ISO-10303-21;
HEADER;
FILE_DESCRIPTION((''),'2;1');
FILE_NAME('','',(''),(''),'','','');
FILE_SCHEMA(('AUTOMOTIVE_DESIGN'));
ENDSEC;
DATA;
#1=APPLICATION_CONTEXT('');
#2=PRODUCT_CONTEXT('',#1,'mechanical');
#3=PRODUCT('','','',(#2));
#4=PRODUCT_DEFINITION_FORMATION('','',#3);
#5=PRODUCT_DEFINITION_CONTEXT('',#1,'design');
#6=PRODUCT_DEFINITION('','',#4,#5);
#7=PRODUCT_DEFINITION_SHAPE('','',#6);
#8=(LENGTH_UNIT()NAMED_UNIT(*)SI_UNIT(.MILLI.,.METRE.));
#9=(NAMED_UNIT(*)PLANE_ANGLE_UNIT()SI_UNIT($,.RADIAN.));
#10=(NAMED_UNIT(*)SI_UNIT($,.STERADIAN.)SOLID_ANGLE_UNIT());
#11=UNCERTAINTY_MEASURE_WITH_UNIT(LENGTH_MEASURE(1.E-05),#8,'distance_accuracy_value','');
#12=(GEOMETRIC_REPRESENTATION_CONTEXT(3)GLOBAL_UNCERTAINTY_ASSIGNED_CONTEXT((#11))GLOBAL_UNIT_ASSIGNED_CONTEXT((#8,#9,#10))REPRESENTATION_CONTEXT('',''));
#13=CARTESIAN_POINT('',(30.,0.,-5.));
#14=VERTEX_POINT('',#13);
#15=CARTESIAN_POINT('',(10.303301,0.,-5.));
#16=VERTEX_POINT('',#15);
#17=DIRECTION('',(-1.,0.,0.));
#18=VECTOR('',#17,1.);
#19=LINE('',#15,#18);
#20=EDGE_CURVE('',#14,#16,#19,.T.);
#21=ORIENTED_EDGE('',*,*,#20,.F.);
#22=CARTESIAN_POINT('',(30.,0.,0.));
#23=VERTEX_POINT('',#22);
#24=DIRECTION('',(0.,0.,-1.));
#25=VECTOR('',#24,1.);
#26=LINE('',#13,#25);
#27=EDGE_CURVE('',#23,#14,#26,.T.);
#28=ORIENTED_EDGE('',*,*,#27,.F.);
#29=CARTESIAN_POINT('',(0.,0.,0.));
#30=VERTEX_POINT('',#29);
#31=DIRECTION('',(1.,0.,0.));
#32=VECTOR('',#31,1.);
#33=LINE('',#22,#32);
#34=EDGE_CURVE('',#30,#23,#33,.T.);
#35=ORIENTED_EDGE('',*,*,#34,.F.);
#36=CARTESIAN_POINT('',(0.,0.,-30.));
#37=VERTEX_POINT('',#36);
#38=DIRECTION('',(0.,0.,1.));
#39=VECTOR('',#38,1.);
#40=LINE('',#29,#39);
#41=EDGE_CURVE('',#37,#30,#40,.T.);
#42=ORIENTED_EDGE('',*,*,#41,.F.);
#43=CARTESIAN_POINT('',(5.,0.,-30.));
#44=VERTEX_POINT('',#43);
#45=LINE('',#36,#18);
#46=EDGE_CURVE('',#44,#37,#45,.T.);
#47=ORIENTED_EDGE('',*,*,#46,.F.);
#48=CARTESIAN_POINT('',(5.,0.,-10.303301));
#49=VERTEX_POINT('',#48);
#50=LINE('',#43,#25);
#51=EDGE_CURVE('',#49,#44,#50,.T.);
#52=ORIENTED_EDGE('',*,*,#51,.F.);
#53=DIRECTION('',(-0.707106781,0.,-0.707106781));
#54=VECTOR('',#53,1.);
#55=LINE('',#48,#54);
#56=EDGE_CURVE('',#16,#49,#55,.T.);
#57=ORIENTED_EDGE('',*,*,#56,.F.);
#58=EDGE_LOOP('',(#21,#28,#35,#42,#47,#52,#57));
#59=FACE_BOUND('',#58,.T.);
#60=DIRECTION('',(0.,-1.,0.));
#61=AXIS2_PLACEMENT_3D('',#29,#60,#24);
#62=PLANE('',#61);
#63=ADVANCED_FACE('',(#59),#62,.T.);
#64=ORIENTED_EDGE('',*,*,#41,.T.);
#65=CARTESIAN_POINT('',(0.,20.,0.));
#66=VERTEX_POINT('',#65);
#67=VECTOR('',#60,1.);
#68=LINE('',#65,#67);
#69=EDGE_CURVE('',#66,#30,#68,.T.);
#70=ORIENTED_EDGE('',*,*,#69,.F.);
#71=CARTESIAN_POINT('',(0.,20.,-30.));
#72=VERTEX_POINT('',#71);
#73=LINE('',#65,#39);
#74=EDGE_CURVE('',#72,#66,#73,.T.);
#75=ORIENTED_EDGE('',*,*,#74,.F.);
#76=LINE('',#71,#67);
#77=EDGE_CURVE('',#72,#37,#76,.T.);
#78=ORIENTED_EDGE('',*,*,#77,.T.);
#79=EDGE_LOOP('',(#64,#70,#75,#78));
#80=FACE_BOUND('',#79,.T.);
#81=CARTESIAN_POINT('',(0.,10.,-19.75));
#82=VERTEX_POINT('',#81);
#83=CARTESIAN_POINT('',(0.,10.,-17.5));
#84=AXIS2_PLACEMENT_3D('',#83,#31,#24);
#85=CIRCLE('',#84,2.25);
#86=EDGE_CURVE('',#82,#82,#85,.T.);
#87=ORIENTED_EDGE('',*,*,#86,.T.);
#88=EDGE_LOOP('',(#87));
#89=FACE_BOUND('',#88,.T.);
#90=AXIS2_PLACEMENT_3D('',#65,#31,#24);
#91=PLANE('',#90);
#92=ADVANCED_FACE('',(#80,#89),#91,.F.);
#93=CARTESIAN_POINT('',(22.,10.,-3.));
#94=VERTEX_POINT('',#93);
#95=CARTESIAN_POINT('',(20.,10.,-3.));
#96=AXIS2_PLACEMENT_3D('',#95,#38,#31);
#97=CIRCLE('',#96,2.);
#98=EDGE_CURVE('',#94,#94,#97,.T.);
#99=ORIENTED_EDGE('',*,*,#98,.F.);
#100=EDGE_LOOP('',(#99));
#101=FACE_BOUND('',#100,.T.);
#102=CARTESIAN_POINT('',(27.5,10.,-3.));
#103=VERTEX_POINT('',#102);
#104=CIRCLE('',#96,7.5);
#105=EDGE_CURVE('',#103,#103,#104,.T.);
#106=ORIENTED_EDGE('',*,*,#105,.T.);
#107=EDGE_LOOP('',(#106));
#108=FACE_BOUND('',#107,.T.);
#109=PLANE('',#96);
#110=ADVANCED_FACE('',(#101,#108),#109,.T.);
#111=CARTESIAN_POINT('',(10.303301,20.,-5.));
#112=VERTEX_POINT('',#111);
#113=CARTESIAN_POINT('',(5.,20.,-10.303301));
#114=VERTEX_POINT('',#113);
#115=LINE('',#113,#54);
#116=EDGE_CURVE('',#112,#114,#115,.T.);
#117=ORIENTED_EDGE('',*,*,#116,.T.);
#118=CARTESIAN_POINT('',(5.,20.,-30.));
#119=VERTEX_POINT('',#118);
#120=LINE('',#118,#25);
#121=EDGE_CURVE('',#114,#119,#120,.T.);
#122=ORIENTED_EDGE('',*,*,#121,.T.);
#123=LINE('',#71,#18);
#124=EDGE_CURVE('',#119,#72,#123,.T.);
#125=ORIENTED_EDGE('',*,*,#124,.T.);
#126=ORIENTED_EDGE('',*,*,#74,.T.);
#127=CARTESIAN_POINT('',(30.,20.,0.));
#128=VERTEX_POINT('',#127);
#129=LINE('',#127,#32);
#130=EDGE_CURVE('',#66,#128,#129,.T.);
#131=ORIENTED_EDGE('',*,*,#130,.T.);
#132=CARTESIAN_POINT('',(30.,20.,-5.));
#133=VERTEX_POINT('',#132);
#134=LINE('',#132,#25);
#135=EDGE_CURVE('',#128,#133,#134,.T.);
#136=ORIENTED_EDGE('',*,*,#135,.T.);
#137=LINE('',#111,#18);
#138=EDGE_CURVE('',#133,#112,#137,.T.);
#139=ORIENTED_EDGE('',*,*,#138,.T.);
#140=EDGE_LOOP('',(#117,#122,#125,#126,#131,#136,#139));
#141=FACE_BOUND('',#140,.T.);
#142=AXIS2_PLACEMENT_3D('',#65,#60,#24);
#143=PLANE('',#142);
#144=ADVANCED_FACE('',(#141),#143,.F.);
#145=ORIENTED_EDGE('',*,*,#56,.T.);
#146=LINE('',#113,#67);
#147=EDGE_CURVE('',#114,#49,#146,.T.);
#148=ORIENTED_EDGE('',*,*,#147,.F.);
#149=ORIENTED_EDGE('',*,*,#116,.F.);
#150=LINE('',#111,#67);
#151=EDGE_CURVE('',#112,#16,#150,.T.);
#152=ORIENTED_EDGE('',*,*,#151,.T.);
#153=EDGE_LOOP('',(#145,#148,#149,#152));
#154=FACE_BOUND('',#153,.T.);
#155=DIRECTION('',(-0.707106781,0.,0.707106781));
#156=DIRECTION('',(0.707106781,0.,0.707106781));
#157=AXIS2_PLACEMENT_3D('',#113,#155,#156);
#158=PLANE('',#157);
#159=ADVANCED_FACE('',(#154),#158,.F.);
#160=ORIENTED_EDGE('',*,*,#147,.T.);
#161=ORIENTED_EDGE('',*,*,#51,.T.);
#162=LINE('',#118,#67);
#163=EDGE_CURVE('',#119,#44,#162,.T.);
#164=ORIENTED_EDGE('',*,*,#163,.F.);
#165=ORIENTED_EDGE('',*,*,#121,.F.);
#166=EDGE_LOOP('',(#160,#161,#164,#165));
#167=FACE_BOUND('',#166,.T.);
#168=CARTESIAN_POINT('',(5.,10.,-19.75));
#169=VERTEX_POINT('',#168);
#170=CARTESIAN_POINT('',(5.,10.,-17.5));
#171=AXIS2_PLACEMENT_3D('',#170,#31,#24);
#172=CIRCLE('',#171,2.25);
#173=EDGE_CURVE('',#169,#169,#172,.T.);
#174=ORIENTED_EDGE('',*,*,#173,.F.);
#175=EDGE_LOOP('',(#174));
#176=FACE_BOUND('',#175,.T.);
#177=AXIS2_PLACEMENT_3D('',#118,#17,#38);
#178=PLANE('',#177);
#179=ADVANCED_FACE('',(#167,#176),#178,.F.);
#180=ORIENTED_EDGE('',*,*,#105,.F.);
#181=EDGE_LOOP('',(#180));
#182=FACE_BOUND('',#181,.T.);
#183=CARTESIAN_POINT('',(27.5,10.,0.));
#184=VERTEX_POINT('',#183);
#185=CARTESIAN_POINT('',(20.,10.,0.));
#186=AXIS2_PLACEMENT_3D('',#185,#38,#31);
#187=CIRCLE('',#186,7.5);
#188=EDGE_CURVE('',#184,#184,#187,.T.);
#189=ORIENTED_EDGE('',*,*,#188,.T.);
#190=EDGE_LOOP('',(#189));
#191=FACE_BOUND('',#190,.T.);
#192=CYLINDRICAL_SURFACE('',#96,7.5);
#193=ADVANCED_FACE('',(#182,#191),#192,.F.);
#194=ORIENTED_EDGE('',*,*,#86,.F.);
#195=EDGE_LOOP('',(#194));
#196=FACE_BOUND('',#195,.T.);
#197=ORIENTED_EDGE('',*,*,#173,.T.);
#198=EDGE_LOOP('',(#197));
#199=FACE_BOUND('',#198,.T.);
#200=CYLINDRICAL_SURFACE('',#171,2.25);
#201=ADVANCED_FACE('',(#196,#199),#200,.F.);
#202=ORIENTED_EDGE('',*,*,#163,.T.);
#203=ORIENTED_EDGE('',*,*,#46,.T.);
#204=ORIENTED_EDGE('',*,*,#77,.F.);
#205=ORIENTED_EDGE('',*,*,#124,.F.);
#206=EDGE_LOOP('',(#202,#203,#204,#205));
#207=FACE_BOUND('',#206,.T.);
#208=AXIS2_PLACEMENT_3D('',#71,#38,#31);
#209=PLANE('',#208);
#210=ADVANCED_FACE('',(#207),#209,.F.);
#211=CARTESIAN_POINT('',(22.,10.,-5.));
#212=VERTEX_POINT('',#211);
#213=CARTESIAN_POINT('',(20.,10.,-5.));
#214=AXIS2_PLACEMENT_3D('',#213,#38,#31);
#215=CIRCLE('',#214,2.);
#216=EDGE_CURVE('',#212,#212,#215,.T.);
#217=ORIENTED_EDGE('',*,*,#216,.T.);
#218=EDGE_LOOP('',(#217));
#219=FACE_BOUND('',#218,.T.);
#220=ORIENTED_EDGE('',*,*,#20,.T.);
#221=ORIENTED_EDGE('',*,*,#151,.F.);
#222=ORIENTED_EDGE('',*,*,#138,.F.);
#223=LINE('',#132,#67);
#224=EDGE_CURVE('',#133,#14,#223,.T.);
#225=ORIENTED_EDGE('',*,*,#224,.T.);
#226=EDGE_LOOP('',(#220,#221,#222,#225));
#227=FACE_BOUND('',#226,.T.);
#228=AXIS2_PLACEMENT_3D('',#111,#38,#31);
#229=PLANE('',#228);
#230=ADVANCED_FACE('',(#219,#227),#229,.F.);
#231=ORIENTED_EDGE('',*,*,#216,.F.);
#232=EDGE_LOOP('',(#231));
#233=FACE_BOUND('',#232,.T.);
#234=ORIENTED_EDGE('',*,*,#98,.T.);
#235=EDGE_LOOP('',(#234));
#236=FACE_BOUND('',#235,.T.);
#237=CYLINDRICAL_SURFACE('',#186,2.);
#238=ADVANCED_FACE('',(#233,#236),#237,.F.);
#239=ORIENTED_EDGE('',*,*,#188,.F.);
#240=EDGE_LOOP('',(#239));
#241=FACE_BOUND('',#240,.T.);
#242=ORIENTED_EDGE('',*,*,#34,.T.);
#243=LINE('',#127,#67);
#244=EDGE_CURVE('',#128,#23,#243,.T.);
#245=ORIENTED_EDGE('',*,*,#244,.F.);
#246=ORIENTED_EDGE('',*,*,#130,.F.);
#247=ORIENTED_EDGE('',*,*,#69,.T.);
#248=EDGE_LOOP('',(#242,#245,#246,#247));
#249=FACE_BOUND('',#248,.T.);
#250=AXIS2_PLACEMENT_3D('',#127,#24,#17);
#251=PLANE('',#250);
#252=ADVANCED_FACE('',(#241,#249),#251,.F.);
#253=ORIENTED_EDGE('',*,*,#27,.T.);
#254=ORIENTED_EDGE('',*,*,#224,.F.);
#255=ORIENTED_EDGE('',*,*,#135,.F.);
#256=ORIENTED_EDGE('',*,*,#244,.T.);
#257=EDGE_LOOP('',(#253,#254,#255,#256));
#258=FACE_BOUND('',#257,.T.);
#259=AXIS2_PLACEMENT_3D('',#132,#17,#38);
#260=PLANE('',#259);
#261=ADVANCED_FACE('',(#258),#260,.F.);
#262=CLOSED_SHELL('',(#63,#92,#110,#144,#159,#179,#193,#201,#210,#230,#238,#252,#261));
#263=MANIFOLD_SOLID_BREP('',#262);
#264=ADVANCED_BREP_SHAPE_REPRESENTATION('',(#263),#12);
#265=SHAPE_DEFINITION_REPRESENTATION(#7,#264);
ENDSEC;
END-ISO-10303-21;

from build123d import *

# Parameters (mm, degrees)
ESTRUSIONE_ESTRUSIONE2_DEPTH = 20
FORO_PER_VITE_M4_2_D         = 4.5
FORO_PER_VITE_M4_2_DEPTH     = 15
FORO_PER_VITE_M4_2_TIP       = 1.351936393
SCHIZZO6_R                   = 7.5
TAGLIO_ESTRUSIONE1_DEPTH     = 3
FORO_PER_VITE_M4_1_D         = 4
FORO_PER_VITE_M4_1_DEPTH     = 9
FORO_PER_VITE_M4_1_TIP       = 1.201721238


with BuildPart() as part:
    # Schizzo2 → Estrusione-Estrusione2 (new body)
    with BuildSketch(Plane(origin=(0, 0, 0), x_dir=(1, 0, 0), z_dir=(0, 1, 0))):
        Polygon((5, 30), (5, 10.303300859), (10.303300859, 5), (30, 5), (30, 0), (0, 0), (0, 30), align=None)
    extrude(amount=ESTRUSIONE_ESTRUSIONE2_DEPTH)

    # Foro per Vite M4-2
    with Locations(Plane(origin=(5, 0, 0), x_dir=(0, 0, -1), z_dir=(1, 0, 0))):
        with Locations((17.5, 10)):
            Hole(FORO_PER_VITE_M4_2_D / 2, depth=FORO_PER_VITE_M4_2_DEPTH)
            with Locations((0, 0, -(FORO_PER_VITE_M4_2_DEPTH + FORO_PER_VITE_M4_2_TIP / 2))):  # 118° drill point
                Cone(0, FORO_PER_VITE_M4_2_D / 2, FORO_PER_VITE_M4_2_TIP, mode=Mode.SUBTRACT)

    # Schizzo6 → Taglio-Estrusione1 (cut)
    with BuildSketch(Plane.XY):
        with Locations((20, 10)):
            Circle(SCHIZZO6_R)
    extrude(amount=-TAGLIO_ESTRUSIONE1_DEPTH, mode=Mode.SUBTRACT)

    # Foro per Vite M4-1
    with Locations(Plane(origin=(20, 10, 0), x_dir=(1, 0, 0), z_dir=(0, 0, 1))):
        with Locations((0, 0)):
            Hole(FORO_PER_VITE_M4_1_D / 2, depth=FORO_PER_VITE_M4_1_DEPTH)
            with Locations((0, 0, -(FORO_PER_VITE_M4_1_DEPTH + FORO_PER_VITE_M4_1_TIP / 2))):  # 118° drill point
                Cone(0, FORO_PER_VITE_M4_1_D / 2, FORO_PER_VITE_M4_1_TIP, mode=Mode.SUBTRACT)


solid = part.part
